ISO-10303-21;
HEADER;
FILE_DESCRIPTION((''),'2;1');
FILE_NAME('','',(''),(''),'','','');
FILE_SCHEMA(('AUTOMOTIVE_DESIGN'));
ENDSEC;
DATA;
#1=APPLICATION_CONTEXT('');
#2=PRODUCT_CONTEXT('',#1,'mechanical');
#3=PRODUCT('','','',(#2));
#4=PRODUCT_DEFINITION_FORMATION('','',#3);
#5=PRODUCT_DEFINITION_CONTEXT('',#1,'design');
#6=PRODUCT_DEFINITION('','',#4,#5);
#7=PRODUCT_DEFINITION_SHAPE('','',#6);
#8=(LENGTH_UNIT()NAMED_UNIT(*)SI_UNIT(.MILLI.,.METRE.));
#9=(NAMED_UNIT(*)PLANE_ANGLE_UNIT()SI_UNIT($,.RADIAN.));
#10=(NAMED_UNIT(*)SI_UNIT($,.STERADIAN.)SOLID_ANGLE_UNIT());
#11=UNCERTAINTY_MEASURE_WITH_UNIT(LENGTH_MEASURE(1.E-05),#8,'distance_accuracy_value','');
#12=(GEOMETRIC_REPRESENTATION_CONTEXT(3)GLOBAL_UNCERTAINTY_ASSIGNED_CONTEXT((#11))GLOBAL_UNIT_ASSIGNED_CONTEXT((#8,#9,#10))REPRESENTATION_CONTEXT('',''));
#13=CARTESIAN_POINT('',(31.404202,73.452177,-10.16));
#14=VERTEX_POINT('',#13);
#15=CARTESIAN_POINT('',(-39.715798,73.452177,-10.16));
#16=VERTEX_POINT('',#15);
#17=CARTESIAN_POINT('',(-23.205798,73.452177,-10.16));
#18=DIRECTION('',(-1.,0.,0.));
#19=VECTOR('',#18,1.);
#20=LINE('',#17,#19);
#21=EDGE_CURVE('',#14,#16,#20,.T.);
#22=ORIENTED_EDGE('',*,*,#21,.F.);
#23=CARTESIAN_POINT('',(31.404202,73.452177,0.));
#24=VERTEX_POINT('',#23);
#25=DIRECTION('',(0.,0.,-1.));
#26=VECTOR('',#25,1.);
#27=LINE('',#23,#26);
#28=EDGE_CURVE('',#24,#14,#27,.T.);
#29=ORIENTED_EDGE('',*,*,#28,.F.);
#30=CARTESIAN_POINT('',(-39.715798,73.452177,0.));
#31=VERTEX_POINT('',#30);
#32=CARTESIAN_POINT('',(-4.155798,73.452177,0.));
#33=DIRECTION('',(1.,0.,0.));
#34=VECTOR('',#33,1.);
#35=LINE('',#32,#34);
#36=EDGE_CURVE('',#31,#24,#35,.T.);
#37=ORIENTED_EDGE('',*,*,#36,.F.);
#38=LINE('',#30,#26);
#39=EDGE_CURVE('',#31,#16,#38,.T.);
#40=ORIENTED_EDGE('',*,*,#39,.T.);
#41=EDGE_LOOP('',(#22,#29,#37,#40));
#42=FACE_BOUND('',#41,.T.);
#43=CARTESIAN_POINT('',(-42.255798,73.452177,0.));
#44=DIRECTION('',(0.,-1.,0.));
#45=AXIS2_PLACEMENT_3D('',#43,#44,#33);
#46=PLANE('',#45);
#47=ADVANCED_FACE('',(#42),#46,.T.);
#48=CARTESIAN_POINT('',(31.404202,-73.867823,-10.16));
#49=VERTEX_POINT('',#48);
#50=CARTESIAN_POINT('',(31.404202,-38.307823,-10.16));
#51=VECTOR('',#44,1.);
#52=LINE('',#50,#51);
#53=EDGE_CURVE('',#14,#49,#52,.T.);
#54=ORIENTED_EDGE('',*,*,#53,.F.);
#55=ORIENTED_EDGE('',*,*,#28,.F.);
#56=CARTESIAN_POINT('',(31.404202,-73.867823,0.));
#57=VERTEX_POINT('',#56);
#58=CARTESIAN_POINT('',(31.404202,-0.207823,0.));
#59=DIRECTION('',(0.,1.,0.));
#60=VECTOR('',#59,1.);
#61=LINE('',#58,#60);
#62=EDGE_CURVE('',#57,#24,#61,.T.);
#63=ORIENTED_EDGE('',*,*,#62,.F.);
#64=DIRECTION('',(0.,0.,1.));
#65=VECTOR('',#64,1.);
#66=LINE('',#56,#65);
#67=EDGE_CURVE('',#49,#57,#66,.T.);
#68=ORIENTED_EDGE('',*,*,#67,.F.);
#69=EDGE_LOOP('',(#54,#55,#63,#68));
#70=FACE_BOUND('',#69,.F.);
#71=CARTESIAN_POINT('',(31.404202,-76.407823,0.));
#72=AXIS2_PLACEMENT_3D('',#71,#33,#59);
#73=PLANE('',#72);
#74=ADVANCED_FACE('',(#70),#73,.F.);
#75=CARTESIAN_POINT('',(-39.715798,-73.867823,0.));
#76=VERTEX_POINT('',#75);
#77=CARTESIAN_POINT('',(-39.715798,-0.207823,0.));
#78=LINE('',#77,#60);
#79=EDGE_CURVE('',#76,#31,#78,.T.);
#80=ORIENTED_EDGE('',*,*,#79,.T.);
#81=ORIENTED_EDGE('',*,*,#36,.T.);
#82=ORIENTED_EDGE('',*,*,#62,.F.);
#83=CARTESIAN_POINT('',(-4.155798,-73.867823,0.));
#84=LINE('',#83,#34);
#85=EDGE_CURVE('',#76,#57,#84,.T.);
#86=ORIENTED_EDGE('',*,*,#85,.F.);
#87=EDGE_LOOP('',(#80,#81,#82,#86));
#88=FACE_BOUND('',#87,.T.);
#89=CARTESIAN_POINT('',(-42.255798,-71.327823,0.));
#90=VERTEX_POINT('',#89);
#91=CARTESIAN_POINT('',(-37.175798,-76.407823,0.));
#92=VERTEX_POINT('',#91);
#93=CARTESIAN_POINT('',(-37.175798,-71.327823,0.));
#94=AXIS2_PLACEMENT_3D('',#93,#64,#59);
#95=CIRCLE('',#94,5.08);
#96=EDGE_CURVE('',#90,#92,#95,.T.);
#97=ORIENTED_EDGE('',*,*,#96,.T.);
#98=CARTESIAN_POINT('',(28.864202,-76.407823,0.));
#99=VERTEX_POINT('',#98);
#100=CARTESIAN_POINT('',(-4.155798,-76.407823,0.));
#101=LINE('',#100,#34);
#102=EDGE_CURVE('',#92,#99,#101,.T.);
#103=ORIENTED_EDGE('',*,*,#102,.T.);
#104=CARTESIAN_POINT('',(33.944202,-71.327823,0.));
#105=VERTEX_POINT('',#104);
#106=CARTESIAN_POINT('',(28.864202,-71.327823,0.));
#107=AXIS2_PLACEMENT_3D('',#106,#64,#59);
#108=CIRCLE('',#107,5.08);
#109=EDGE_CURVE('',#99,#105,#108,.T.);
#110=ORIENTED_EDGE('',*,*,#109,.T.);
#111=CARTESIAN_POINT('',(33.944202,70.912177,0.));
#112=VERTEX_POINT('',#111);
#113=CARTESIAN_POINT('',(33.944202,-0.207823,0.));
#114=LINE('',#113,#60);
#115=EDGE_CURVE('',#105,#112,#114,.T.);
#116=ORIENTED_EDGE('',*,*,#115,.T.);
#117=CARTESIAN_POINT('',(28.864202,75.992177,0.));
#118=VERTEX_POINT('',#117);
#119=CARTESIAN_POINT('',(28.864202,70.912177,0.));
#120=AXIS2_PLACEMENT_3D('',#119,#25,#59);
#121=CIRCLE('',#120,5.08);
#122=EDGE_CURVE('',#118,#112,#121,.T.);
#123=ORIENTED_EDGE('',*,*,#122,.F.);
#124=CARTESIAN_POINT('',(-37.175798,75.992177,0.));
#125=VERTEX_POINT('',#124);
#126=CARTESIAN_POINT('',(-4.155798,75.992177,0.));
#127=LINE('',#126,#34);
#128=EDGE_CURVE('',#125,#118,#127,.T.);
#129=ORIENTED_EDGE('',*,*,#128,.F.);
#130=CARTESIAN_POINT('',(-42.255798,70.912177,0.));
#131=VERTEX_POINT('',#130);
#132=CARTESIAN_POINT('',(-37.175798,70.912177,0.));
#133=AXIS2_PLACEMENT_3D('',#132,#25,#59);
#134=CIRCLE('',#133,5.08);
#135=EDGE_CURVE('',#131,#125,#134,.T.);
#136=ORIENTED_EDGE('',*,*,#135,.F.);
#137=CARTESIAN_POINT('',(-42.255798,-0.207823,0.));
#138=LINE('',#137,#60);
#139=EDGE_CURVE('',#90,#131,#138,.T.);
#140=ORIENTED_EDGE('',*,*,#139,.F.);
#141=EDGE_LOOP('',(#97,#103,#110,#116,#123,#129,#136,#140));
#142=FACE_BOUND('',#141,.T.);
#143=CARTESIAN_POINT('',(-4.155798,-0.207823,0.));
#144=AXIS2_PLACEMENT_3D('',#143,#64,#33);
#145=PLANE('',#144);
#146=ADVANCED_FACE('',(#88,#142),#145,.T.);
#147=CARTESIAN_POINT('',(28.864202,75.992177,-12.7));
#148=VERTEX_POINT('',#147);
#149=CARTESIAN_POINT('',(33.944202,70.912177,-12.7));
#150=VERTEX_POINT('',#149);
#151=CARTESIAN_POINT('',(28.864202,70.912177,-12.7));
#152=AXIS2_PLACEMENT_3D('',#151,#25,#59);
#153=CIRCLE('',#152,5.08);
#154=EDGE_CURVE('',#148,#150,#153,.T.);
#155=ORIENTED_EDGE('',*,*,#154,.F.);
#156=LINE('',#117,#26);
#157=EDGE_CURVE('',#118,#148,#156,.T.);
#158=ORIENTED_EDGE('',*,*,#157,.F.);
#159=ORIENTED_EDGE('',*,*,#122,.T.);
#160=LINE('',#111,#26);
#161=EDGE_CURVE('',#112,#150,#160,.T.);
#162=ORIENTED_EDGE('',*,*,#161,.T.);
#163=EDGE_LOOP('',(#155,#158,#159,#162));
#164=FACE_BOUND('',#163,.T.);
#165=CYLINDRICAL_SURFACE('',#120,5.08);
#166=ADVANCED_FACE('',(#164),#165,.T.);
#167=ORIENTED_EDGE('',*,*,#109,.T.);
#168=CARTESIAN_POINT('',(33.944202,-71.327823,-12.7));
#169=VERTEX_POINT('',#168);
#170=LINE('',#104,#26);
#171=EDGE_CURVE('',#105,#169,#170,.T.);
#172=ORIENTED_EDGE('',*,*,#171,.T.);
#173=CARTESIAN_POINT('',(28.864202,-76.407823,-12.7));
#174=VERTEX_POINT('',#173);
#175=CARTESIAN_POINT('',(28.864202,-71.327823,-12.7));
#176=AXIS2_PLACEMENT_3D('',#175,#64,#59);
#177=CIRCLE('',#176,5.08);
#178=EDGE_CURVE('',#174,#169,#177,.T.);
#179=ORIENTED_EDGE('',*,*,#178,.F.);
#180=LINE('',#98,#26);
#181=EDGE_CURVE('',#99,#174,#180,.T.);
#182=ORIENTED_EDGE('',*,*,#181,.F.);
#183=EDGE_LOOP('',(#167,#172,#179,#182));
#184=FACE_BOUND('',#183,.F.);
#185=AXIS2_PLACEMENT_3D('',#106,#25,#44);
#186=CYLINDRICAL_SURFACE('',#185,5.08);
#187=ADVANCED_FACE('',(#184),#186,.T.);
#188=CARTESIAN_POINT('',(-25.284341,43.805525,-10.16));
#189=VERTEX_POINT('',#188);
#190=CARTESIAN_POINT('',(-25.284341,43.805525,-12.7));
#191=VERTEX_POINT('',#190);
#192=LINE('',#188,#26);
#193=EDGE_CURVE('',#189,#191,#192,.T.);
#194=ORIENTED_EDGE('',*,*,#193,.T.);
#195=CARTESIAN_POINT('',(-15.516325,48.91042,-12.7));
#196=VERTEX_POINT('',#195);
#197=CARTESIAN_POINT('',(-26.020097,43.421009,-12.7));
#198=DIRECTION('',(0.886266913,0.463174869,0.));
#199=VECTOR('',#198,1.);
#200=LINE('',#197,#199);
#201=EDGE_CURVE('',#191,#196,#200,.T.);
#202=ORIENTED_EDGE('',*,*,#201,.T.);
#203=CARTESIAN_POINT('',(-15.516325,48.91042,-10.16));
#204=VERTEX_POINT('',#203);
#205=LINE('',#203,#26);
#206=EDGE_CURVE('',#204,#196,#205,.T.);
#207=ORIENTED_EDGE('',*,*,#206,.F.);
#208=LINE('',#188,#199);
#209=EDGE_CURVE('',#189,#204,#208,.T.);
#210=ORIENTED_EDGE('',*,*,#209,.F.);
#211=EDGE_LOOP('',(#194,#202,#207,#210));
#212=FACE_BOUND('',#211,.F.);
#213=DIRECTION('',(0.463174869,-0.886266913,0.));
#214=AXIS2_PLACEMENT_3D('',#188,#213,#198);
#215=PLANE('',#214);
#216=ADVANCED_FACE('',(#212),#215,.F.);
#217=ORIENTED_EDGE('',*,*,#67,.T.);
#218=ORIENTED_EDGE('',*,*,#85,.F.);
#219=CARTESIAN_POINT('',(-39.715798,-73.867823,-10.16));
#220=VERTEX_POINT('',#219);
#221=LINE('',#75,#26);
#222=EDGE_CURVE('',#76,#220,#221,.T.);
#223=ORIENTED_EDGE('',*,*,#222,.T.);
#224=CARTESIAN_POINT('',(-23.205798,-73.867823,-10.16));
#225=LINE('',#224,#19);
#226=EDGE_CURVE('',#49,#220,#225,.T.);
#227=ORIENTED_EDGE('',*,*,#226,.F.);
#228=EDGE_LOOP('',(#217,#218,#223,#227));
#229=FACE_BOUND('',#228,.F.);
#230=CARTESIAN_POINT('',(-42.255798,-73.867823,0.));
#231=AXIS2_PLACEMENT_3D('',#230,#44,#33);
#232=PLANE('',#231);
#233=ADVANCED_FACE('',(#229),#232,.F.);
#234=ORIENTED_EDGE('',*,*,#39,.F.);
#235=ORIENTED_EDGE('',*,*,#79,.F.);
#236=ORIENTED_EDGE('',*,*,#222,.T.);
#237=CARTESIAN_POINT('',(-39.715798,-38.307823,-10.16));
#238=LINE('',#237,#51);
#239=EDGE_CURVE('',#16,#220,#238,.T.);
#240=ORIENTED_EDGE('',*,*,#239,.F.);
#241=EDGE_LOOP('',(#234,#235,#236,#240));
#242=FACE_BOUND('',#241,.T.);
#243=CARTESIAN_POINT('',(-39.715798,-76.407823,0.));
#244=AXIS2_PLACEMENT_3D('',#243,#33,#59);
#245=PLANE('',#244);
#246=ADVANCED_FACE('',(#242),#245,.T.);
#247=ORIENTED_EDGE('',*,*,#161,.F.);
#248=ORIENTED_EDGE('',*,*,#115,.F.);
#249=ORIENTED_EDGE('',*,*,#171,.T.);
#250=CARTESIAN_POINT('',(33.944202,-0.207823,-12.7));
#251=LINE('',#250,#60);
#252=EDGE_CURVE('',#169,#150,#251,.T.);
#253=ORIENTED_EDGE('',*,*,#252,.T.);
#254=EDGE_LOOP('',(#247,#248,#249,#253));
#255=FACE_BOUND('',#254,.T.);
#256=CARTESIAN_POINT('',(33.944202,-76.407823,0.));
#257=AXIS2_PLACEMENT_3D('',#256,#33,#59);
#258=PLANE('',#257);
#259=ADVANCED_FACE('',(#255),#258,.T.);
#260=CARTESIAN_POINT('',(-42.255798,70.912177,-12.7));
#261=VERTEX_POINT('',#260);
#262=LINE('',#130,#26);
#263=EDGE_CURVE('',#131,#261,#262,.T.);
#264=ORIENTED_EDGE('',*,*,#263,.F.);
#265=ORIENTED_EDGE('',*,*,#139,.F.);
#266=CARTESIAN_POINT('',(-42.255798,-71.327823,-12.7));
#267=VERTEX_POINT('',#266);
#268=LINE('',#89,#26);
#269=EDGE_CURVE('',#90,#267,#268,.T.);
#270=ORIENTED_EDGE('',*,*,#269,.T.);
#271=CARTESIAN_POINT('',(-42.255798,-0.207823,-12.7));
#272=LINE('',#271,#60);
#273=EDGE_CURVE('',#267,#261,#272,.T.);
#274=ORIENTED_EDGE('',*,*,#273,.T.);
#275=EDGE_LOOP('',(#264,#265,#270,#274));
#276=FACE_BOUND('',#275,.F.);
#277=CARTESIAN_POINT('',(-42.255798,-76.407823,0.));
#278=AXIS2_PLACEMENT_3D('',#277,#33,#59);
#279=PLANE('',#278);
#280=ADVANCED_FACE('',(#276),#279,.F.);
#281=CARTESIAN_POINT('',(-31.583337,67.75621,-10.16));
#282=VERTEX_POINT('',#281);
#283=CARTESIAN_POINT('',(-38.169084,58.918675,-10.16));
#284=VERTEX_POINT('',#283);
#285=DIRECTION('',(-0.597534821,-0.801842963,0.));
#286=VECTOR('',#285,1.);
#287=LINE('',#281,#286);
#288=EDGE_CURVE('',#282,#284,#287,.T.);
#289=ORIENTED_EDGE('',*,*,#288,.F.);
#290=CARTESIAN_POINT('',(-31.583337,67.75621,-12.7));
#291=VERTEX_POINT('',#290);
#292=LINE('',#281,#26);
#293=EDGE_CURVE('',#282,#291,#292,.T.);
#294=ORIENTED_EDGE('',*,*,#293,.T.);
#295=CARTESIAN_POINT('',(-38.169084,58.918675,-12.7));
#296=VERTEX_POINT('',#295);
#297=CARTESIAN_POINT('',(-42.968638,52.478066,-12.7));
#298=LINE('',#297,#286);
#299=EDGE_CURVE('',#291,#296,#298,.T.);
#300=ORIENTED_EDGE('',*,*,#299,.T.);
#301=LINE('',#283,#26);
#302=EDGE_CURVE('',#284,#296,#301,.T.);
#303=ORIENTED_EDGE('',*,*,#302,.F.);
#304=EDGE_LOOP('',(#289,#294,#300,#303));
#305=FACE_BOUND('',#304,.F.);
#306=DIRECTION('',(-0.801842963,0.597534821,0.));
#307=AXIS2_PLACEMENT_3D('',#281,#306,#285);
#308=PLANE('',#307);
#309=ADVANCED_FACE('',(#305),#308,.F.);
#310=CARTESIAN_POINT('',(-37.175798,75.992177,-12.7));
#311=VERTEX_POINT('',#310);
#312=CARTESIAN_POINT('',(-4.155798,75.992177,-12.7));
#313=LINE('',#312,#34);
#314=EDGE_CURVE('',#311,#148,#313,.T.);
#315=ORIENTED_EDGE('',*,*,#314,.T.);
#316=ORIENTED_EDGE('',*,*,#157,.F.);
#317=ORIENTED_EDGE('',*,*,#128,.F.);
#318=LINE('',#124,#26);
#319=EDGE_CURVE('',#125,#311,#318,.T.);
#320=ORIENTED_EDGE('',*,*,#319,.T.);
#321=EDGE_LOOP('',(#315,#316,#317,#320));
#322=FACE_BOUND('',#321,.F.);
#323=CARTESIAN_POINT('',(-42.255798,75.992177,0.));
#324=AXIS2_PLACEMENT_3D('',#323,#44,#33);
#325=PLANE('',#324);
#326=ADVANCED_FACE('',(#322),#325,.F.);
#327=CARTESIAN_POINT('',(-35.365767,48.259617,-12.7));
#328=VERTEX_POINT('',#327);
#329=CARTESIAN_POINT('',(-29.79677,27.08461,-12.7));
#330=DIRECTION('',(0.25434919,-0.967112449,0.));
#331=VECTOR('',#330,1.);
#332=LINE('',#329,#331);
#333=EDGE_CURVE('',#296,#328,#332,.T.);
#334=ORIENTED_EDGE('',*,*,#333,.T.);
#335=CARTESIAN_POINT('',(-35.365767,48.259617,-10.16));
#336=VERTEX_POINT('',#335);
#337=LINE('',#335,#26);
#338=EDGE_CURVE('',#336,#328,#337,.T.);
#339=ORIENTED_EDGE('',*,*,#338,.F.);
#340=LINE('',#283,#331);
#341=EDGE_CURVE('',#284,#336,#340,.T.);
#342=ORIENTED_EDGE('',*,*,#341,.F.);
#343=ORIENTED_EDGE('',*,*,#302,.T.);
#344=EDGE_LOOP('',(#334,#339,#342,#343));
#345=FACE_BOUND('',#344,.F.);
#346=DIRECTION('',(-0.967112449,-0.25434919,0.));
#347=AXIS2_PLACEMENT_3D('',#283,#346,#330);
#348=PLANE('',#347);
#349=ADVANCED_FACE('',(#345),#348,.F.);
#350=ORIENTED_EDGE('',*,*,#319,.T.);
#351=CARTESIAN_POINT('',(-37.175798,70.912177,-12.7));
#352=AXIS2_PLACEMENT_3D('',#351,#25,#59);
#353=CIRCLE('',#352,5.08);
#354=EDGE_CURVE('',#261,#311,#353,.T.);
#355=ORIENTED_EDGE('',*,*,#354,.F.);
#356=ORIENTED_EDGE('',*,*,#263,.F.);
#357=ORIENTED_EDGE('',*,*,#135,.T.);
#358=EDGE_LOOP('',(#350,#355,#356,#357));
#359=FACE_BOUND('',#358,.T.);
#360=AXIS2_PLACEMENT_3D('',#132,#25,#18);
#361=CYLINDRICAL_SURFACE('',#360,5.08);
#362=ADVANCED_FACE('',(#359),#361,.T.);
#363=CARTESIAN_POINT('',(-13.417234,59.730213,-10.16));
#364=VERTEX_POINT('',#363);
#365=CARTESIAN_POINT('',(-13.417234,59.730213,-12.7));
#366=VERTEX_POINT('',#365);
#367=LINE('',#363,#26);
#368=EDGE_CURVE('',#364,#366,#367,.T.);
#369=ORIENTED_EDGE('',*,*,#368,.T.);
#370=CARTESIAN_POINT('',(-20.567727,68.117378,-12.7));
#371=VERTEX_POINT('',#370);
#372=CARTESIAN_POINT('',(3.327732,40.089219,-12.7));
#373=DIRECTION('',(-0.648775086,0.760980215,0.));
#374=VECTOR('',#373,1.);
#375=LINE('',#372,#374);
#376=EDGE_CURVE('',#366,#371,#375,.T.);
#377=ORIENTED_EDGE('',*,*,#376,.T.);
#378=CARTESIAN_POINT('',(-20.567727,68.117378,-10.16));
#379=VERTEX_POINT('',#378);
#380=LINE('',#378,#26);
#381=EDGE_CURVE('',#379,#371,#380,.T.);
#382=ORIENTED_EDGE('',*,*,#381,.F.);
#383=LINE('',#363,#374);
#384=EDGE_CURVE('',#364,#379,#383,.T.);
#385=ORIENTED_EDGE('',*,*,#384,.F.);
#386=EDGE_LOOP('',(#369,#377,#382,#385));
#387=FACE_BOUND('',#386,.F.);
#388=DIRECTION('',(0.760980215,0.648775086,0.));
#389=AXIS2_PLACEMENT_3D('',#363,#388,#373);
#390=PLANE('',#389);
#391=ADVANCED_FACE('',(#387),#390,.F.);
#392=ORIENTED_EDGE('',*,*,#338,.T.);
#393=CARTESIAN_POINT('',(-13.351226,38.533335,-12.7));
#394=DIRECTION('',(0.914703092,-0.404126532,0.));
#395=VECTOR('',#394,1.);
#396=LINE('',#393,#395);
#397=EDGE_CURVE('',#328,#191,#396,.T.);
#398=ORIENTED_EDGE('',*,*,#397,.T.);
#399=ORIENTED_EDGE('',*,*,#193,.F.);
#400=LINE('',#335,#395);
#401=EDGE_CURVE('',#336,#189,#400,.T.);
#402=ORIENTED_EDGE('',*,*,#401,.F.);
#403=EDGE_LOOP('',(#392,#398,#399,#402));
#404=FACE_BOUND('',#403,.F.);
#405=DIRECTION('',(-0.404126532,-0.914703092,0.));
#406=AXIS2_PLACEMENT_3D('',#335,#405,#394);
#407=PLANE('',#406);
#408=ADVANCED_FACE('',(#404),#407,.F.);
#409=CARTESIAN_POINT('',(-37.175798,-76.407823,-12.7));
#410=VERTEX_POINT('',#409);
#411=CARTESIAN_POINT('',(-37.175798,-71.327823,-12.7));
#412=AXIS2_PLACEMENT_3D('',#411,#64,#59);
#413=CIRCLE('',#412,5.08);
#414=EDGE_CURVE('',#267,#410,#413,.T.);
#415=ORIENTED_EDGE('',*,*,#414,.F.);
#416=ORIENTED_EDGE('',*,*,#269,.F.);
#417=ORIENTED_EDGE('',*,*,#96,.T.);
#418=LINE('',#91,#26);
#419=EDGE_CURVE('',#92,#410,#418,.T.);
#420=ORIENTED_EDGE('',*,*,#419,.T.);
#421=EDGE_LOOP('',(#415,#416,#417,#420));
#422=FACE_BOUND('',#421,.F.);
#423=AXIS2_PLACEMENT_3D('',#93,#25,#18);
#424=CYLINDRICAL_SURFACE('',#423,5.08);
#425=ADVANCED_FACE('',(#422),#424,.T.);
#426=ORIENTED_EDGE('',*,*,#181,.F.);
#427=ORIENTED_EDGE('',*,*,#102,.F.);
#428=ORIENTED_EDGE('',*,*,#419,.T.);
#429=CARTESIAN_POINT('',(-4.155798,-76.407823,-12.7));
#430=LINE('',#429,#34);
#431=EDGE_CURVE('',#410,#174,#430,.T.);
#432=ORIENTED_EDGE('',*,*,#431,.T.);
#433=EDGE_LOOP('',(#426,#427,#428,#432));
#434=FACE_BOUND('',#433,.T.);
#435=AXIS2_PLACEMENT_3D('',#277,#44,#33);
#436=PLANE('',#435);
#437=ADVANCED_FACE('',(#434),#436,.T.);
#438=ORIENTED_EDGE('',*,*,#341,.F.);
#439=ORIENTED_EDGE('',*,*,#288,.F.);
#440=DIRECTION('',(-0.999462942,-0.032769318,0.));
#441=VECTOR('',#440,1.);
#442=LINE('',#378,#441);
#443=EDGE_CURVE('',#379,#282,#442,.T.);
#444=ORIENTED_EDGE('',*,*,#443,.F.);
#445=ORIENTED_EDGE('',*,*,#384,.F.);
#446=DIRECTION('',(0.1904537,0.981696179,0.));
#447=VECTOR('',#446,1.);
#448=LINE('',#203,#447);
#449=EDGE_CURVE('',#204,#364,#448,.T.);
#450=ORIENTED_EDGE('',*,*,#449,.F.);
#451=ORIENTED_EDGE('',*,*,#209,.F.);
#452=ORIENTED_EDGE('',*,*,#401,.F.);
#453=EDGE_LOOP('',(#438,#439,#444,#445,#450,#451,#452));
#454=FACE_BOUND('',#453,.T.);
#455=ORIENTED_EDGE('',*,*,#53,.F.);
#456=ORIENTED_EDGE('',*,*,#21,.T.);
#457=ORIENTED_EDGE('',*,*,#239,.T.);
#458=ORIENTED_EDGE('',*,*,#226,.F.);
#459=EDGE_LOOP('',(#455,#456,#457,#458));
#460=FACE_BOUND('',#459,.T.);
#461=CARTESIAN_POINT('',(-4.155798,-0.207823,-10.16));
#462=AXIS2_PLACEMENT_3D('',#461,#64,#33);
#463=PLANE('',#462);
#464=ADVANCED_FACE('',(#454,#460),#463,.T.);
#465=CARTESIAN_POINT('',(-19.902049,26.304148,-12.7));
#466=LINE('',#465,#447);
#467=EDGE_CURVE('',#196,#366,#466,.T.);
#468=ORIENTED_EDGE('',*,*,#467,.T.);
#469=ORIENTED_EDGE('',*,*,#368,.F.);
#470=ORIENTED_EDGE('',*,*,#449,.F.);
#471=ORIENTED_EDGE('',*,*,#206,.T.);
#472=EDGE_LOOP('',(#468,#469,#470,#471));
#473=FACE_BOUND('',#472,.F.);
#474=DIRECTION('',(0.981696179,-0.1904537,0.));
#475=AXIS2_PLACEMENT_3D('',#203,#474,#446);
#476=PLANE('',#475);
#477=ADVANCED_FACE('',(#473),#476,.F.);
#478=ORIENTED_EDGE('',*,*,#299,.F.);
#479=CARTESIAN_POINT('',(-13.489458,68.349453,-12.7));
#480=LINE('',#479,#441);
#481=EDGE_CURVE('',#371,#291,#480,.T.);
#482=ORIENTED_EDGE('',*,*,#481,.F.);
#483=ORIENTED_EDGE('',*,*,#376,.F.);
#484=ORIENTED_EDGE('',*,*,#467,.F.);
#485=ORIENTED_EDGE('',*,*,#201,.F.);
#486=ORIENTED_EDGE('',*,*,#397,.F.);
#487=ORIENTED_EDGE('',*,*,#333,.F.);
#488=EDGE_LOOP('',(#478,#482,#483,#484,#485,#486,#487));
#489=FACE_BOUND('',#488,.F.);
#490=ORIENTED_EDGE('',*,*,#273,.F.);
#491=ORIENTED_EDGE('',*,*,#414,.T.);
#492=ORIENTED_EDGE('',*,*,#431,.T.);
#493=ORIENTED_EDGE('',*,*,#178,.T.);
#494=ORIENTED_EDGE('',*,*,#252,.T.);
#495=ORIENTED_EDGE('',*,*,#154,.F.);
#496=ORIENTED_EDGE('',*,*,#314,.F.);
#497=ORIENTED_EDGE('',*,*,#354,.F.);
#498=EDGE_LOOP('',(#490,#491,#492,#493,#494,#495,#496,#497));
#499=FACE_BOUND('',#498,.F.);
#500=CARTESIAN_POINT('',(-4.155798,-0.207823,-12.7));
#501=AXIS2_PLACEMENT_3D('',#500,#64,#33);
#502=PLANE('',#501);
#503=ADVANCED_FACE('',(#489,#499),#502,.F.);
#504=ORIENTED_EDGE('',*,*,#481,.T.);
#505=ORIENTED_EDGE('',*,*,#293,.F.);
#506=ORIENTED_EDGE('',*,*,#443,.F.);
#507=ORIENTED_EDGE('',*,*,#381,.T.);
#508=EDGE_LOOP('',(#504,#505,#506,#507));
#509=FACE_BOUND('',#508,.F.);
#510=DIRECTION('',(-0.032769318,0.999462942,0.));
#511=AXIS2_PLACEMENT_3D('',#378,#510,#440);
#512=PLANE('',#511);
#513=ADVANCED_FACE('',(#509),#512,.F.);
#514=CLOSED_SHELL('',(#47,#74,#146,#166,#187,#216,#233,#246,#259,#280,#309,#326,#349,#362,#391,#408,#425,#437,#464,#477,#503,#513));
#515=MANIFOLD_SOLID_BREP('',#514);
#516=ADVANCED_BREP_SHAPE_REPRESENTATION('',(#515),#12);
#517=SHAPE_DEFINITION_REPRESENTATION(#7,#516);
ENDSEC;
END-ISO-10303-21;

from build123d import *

# Parameters (mm, degrees)
F0_W     = 76.2
F0_H     = 152.4
F1_DEPTH = 12.7
F2_T     = -2.54
F4_DEPTH = 58.25523
F5_R     = 5.08


with BuildPart() as f1:
    # F0 (on Top) → F1 (new body)
    with BuildSketch(Plane.XY):
        with Locations((-4.155798, -0.207823)):
            Rectangle(F0_W, F0_H)
    extrude(amount=-F1_DEPTH)

    # F2
    f2_openings = [f1.faces().sort_by_distance(p)[0] for p in [
        (-4.155798, -0.207823, 0),
    ]]
    offset(amount=F2_T, openings=f2_openings)

    # F3 (on face) → F4 (cut)
    with BuildSketch(Plane.XY.offset(-10.16)):
        Polygon((-35.365767, 48.259617), (-25.284341, 43.805525), (-15.516325, 48.91042), (-13.417234, 59.730213), (-20.567727, 68.117378), (-31.583337, 67.75621), (-38.169084, 58.918675), align=None)
    extrude(amount=-F4_DEPTH, mode=Mode.SUBTRACT)

    # F5
    f5_edges = [f1.edges().sort_by_distance(p)[0] for p in [
        (33.944202, -76.407823, -6.35),
        (-42.255798, -76.407823, -6.35),
        (33.944202, 75.992177, -6.35),
        (-42.255798, 75.992177, -6.35),
    ]]
    fillet(f5_edges, radius=F5_R)


solid = f1.part
